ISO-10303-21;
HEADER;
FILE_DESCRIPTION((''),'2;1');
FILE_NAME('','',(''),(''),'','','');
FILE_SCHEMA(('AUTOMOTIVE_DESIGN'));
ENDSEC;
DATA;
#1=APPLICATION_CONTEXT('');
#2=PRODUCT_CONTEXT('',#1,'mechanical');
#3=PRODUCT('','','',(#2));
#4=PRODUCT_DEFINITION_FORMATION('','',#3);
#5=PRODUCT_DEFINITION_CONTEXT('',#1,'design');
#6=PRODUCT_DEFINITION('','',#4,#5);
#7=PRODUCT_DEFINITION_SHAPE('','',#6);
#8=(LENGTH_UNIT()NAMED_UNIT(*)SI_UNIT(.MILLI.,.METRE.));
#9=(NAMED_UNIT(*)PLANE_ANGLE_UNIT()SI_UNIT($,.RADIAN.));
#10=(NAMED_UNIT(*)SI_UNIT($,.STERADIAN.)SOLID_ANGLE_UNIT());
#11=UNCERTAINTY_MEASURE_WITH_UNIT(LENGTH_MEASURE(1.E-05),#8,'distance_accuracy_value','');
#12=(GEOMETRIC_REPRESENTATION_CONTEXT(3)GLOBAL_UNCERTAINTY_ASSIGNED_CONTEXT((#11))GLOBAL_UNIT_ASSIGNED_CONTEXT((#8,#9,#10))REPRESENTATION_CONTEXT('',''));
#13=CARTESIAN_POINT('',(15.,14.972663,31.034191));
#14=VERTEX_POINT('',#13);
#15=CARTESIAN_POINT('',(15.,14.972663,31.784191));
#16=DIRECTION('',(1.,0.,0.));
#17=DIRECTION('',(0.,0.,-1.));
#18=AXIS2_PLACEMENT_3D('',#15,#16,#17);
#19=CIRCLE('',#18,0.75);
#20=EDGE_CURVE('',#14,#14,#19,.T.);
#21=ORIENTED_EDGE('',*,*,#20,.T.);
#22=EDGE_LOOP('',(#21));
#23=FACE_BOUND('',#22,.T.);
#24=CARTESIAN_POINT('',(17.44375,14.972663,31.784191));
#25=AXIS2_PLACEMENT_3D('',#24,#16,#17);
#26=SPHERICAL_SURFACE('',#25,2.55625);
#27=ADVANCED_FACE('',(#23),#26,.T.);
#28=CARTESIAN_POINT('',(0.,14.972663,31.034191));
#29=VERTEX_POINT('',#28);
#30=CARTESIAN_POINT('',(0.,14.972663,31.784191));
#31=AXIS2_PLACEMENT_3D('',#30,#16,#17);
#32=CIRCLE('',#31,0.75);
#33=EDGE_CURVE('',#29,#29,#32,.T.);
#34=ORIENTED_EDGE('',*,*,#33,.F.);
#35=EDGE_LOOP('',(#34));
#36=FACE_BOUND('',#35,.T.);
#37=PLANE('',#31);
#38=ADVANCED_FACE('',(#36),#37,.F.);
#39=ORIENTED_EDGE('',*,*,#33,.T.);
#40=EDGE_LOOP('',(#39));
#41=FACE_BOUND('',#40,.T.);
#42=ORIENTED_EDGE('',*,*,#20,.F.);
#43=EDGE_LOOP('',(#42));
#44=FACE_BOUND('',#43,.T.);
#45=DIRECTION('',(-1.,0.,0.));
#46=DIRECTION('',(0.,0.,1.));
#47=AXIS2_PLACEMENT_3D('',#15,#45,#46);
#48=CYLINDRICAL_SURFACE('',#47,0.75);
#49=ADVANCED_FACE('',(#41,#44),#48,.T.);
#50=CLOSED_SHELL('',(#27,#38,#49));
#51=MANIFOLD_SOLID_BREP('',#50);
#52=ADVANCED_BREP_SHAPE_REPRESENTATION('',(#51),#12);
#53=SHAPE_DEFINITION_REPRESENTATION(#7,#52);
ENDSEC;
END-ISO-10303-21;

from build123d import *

# Parameters (mm, degrees)
SKETCH1_R           = 0.75
BOSS_EXTRUDE1_DEPTH = 15
DOME1_FACE_RADIUS   = 0.75
DOME1_HEIGHT        = 5


with BuildPart() as part:
    # Sketch1 → Boss-Extrude1 (new body)
    with BuildSketch(Plane(origin=(0, 0, 0), x_dir=(0, 0, -1), z_dir=(1, 0, 0))):
        with Locations((-31.784191327, 14.97266261)):
            Circle(SKETCH1_R)
    extrude(amount=BOSS_EXTRUDE1_DEPTH)

    # Dome1: a dome of height H over a round flat face of radius A is a cap of a sphere of radius (A * A + H * H) / (2 * H)
    dome1_r = (DOME1_FACE_RADIUS * DOME1_FACE_RADIUS + DOME1_HEIGHT * DOME1_HEIGHT) / (2 * DOME1_HEIGHT)
    dome1_base = Plane((15, 14.97266261, 31.784191327), z_dir=(1, 0, 0))
    with Locations(dome1_base.offset(DOME1_HEIGHT - dome1_r)):
        dome1_ball = Sphere(dome1_r, mode=Mode.PRIVATE)
    add(split(dome1_ball, bisect_by=dome1_base, keep=Keep.TOP, mode=Mode.PRIVATE))


solid = part.part
